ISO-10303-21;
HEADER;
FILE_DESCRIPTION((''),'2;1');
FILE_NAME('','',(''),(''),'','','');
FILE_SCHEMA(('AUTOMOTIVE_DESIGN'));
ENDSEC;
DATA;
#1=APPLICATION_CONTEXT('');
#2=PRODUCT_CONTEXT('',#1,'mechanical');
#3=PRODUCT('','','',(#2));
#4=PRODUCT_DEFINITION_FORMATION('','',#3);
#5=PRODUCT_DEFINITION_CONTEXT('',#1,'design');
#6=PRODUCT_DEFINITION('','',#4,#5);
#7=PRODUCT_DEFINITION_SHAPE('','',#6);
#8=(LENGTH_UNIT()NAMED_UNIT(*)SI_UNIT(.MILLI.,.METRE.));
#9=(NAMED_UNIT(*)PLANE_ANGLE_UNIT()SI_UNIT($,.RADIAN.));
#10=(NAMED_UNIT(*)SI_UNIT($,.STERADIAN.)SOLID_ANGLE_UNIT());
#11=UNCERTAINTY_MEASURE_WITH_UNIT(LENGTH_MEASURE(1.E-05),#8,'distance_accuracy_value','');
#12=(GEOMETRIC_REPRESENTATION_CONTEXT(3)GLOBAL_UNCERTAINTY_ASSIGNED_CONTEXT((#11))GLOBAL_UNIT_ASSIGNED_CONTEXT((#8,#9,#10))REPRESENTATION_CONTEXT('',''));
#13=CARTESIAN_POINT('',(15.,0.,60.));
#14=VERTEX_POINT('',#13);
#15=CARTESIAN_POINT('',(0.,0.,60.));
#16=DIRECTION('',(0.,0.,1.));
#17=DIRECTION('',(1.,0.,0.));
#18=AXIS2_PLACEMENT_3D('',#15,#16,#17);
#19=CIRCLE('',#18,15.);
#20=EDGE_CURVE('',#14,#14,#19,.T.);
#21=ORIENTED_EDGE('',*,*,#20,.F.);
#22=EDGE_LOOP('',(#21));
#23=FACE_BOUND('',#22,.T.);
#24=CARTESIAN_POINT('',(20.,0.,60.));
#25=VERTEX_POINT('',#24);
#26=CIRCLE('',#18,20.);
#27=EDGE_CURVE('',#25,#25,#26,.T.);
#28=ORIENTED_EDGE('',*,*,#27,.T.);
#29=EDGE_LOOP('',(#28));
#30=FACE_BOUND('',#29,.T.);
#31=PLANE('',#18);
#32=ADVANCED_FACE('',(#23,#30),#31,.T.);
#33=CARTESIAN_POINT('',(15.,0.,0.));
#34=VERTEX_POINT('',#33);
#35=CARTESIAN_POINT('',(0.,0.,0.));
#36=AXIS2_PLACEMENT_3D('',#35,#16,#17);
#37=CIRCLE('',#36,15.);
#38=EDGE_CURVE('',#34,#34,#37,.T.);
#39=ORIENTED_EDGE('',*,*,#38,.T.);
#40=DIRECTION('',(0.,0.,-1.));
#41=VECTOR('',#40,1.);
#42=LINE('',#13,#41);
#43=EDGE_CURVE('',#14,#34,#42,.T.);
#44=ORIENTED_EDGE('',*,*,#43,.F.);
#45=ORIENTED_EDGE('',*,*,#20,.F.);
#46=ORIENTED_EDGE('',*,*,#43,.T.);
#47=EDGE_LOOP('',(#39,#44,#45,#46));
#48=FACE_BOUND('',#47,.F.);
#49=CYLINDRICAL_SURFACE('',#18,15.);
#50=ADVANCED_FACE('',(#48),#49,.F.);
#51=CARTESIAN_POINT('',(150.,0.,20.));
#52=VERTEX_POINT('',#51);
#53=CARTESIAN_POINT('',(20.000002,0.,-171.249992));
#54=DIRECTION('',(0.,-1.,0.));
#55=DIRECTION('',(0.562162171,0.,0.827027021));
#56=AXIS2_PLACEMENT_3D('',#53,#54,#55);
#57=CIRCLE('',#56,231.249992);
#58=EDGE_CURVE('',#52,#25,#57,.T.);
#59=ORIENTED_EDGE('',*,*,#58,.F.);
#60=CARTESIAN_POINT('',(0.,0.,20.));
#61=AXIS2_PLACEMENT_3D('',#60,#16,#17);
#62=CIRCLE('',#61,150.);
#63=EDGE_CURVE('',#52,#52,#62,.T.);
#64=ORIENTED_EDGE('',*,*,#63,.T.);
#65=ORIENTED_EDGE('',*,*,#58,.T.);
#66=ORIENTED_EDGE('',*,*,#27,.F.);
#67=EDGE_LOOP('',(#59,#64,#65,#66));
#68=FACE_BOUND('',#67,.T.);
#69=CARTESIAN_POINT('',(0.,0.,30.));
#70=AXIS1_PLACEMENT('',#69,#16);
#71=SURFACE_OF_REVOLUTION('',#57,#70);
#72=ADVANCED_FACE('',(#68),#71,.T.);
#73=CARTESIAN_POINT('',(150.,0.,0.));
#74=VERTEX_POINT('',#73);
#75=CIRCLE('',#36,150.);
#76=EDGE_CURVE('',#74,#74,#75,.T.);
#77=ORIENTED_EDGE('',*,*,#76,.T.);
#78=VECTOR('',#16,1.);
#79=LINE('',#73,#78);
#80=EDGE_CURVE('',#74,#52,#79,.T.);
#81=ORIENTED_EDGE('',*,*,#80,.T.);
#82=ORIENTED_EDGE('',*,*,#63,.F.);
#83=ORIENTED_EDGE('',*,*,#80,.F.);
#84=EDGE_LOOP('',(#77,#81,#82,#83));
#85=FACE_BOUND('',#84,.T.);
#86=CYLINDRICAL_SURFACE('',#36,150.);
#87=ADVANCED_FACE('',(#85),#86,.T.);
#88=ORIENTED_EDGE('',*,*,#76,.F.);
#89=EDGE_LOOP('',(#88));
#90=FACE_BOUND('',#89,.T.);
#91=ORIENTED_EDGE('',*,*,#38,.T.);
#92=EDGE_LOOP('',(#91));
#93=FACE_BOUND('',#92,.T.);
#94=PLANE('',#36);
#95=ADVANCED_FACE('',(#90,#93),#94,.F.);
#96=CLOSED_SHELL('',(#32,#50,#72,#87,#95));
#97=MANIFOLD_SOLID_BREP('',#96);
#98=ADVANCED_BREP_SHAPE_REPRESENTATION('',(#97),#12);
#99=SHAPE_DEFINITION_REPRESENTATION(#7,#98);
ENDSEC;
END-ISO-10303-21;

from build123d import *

# Parameters (mm, degrees)
F2_R     = 15
F3_DEPTH = 100


with BuildPart() as f1:
    # F0 (on Front) → F1 (revolve)
    with BuildSketch(Plane.XZ):
        with BuildLine():
            Line((0, 60), (0, 0))
            Line((0, 0), (150, 0))
            Line((150, 0), (150, 20))
            ThreePointArc((150, 20), (88.007353, 49.773896), (20, 60))
            Line((20, 60), (0, 60))
        make_face()
    revolve(axis=Axis((0, 0, 30), (0, 0, 1)))

    # F2 (on face) → F3 (cut)
    with BuildSketch(Plane.XY.offset(60)):
        Circle(F2_R)
    extrude(amount=-F3_DEPTH, mode=Mode.SUBTRACT)


solid = f1.part
